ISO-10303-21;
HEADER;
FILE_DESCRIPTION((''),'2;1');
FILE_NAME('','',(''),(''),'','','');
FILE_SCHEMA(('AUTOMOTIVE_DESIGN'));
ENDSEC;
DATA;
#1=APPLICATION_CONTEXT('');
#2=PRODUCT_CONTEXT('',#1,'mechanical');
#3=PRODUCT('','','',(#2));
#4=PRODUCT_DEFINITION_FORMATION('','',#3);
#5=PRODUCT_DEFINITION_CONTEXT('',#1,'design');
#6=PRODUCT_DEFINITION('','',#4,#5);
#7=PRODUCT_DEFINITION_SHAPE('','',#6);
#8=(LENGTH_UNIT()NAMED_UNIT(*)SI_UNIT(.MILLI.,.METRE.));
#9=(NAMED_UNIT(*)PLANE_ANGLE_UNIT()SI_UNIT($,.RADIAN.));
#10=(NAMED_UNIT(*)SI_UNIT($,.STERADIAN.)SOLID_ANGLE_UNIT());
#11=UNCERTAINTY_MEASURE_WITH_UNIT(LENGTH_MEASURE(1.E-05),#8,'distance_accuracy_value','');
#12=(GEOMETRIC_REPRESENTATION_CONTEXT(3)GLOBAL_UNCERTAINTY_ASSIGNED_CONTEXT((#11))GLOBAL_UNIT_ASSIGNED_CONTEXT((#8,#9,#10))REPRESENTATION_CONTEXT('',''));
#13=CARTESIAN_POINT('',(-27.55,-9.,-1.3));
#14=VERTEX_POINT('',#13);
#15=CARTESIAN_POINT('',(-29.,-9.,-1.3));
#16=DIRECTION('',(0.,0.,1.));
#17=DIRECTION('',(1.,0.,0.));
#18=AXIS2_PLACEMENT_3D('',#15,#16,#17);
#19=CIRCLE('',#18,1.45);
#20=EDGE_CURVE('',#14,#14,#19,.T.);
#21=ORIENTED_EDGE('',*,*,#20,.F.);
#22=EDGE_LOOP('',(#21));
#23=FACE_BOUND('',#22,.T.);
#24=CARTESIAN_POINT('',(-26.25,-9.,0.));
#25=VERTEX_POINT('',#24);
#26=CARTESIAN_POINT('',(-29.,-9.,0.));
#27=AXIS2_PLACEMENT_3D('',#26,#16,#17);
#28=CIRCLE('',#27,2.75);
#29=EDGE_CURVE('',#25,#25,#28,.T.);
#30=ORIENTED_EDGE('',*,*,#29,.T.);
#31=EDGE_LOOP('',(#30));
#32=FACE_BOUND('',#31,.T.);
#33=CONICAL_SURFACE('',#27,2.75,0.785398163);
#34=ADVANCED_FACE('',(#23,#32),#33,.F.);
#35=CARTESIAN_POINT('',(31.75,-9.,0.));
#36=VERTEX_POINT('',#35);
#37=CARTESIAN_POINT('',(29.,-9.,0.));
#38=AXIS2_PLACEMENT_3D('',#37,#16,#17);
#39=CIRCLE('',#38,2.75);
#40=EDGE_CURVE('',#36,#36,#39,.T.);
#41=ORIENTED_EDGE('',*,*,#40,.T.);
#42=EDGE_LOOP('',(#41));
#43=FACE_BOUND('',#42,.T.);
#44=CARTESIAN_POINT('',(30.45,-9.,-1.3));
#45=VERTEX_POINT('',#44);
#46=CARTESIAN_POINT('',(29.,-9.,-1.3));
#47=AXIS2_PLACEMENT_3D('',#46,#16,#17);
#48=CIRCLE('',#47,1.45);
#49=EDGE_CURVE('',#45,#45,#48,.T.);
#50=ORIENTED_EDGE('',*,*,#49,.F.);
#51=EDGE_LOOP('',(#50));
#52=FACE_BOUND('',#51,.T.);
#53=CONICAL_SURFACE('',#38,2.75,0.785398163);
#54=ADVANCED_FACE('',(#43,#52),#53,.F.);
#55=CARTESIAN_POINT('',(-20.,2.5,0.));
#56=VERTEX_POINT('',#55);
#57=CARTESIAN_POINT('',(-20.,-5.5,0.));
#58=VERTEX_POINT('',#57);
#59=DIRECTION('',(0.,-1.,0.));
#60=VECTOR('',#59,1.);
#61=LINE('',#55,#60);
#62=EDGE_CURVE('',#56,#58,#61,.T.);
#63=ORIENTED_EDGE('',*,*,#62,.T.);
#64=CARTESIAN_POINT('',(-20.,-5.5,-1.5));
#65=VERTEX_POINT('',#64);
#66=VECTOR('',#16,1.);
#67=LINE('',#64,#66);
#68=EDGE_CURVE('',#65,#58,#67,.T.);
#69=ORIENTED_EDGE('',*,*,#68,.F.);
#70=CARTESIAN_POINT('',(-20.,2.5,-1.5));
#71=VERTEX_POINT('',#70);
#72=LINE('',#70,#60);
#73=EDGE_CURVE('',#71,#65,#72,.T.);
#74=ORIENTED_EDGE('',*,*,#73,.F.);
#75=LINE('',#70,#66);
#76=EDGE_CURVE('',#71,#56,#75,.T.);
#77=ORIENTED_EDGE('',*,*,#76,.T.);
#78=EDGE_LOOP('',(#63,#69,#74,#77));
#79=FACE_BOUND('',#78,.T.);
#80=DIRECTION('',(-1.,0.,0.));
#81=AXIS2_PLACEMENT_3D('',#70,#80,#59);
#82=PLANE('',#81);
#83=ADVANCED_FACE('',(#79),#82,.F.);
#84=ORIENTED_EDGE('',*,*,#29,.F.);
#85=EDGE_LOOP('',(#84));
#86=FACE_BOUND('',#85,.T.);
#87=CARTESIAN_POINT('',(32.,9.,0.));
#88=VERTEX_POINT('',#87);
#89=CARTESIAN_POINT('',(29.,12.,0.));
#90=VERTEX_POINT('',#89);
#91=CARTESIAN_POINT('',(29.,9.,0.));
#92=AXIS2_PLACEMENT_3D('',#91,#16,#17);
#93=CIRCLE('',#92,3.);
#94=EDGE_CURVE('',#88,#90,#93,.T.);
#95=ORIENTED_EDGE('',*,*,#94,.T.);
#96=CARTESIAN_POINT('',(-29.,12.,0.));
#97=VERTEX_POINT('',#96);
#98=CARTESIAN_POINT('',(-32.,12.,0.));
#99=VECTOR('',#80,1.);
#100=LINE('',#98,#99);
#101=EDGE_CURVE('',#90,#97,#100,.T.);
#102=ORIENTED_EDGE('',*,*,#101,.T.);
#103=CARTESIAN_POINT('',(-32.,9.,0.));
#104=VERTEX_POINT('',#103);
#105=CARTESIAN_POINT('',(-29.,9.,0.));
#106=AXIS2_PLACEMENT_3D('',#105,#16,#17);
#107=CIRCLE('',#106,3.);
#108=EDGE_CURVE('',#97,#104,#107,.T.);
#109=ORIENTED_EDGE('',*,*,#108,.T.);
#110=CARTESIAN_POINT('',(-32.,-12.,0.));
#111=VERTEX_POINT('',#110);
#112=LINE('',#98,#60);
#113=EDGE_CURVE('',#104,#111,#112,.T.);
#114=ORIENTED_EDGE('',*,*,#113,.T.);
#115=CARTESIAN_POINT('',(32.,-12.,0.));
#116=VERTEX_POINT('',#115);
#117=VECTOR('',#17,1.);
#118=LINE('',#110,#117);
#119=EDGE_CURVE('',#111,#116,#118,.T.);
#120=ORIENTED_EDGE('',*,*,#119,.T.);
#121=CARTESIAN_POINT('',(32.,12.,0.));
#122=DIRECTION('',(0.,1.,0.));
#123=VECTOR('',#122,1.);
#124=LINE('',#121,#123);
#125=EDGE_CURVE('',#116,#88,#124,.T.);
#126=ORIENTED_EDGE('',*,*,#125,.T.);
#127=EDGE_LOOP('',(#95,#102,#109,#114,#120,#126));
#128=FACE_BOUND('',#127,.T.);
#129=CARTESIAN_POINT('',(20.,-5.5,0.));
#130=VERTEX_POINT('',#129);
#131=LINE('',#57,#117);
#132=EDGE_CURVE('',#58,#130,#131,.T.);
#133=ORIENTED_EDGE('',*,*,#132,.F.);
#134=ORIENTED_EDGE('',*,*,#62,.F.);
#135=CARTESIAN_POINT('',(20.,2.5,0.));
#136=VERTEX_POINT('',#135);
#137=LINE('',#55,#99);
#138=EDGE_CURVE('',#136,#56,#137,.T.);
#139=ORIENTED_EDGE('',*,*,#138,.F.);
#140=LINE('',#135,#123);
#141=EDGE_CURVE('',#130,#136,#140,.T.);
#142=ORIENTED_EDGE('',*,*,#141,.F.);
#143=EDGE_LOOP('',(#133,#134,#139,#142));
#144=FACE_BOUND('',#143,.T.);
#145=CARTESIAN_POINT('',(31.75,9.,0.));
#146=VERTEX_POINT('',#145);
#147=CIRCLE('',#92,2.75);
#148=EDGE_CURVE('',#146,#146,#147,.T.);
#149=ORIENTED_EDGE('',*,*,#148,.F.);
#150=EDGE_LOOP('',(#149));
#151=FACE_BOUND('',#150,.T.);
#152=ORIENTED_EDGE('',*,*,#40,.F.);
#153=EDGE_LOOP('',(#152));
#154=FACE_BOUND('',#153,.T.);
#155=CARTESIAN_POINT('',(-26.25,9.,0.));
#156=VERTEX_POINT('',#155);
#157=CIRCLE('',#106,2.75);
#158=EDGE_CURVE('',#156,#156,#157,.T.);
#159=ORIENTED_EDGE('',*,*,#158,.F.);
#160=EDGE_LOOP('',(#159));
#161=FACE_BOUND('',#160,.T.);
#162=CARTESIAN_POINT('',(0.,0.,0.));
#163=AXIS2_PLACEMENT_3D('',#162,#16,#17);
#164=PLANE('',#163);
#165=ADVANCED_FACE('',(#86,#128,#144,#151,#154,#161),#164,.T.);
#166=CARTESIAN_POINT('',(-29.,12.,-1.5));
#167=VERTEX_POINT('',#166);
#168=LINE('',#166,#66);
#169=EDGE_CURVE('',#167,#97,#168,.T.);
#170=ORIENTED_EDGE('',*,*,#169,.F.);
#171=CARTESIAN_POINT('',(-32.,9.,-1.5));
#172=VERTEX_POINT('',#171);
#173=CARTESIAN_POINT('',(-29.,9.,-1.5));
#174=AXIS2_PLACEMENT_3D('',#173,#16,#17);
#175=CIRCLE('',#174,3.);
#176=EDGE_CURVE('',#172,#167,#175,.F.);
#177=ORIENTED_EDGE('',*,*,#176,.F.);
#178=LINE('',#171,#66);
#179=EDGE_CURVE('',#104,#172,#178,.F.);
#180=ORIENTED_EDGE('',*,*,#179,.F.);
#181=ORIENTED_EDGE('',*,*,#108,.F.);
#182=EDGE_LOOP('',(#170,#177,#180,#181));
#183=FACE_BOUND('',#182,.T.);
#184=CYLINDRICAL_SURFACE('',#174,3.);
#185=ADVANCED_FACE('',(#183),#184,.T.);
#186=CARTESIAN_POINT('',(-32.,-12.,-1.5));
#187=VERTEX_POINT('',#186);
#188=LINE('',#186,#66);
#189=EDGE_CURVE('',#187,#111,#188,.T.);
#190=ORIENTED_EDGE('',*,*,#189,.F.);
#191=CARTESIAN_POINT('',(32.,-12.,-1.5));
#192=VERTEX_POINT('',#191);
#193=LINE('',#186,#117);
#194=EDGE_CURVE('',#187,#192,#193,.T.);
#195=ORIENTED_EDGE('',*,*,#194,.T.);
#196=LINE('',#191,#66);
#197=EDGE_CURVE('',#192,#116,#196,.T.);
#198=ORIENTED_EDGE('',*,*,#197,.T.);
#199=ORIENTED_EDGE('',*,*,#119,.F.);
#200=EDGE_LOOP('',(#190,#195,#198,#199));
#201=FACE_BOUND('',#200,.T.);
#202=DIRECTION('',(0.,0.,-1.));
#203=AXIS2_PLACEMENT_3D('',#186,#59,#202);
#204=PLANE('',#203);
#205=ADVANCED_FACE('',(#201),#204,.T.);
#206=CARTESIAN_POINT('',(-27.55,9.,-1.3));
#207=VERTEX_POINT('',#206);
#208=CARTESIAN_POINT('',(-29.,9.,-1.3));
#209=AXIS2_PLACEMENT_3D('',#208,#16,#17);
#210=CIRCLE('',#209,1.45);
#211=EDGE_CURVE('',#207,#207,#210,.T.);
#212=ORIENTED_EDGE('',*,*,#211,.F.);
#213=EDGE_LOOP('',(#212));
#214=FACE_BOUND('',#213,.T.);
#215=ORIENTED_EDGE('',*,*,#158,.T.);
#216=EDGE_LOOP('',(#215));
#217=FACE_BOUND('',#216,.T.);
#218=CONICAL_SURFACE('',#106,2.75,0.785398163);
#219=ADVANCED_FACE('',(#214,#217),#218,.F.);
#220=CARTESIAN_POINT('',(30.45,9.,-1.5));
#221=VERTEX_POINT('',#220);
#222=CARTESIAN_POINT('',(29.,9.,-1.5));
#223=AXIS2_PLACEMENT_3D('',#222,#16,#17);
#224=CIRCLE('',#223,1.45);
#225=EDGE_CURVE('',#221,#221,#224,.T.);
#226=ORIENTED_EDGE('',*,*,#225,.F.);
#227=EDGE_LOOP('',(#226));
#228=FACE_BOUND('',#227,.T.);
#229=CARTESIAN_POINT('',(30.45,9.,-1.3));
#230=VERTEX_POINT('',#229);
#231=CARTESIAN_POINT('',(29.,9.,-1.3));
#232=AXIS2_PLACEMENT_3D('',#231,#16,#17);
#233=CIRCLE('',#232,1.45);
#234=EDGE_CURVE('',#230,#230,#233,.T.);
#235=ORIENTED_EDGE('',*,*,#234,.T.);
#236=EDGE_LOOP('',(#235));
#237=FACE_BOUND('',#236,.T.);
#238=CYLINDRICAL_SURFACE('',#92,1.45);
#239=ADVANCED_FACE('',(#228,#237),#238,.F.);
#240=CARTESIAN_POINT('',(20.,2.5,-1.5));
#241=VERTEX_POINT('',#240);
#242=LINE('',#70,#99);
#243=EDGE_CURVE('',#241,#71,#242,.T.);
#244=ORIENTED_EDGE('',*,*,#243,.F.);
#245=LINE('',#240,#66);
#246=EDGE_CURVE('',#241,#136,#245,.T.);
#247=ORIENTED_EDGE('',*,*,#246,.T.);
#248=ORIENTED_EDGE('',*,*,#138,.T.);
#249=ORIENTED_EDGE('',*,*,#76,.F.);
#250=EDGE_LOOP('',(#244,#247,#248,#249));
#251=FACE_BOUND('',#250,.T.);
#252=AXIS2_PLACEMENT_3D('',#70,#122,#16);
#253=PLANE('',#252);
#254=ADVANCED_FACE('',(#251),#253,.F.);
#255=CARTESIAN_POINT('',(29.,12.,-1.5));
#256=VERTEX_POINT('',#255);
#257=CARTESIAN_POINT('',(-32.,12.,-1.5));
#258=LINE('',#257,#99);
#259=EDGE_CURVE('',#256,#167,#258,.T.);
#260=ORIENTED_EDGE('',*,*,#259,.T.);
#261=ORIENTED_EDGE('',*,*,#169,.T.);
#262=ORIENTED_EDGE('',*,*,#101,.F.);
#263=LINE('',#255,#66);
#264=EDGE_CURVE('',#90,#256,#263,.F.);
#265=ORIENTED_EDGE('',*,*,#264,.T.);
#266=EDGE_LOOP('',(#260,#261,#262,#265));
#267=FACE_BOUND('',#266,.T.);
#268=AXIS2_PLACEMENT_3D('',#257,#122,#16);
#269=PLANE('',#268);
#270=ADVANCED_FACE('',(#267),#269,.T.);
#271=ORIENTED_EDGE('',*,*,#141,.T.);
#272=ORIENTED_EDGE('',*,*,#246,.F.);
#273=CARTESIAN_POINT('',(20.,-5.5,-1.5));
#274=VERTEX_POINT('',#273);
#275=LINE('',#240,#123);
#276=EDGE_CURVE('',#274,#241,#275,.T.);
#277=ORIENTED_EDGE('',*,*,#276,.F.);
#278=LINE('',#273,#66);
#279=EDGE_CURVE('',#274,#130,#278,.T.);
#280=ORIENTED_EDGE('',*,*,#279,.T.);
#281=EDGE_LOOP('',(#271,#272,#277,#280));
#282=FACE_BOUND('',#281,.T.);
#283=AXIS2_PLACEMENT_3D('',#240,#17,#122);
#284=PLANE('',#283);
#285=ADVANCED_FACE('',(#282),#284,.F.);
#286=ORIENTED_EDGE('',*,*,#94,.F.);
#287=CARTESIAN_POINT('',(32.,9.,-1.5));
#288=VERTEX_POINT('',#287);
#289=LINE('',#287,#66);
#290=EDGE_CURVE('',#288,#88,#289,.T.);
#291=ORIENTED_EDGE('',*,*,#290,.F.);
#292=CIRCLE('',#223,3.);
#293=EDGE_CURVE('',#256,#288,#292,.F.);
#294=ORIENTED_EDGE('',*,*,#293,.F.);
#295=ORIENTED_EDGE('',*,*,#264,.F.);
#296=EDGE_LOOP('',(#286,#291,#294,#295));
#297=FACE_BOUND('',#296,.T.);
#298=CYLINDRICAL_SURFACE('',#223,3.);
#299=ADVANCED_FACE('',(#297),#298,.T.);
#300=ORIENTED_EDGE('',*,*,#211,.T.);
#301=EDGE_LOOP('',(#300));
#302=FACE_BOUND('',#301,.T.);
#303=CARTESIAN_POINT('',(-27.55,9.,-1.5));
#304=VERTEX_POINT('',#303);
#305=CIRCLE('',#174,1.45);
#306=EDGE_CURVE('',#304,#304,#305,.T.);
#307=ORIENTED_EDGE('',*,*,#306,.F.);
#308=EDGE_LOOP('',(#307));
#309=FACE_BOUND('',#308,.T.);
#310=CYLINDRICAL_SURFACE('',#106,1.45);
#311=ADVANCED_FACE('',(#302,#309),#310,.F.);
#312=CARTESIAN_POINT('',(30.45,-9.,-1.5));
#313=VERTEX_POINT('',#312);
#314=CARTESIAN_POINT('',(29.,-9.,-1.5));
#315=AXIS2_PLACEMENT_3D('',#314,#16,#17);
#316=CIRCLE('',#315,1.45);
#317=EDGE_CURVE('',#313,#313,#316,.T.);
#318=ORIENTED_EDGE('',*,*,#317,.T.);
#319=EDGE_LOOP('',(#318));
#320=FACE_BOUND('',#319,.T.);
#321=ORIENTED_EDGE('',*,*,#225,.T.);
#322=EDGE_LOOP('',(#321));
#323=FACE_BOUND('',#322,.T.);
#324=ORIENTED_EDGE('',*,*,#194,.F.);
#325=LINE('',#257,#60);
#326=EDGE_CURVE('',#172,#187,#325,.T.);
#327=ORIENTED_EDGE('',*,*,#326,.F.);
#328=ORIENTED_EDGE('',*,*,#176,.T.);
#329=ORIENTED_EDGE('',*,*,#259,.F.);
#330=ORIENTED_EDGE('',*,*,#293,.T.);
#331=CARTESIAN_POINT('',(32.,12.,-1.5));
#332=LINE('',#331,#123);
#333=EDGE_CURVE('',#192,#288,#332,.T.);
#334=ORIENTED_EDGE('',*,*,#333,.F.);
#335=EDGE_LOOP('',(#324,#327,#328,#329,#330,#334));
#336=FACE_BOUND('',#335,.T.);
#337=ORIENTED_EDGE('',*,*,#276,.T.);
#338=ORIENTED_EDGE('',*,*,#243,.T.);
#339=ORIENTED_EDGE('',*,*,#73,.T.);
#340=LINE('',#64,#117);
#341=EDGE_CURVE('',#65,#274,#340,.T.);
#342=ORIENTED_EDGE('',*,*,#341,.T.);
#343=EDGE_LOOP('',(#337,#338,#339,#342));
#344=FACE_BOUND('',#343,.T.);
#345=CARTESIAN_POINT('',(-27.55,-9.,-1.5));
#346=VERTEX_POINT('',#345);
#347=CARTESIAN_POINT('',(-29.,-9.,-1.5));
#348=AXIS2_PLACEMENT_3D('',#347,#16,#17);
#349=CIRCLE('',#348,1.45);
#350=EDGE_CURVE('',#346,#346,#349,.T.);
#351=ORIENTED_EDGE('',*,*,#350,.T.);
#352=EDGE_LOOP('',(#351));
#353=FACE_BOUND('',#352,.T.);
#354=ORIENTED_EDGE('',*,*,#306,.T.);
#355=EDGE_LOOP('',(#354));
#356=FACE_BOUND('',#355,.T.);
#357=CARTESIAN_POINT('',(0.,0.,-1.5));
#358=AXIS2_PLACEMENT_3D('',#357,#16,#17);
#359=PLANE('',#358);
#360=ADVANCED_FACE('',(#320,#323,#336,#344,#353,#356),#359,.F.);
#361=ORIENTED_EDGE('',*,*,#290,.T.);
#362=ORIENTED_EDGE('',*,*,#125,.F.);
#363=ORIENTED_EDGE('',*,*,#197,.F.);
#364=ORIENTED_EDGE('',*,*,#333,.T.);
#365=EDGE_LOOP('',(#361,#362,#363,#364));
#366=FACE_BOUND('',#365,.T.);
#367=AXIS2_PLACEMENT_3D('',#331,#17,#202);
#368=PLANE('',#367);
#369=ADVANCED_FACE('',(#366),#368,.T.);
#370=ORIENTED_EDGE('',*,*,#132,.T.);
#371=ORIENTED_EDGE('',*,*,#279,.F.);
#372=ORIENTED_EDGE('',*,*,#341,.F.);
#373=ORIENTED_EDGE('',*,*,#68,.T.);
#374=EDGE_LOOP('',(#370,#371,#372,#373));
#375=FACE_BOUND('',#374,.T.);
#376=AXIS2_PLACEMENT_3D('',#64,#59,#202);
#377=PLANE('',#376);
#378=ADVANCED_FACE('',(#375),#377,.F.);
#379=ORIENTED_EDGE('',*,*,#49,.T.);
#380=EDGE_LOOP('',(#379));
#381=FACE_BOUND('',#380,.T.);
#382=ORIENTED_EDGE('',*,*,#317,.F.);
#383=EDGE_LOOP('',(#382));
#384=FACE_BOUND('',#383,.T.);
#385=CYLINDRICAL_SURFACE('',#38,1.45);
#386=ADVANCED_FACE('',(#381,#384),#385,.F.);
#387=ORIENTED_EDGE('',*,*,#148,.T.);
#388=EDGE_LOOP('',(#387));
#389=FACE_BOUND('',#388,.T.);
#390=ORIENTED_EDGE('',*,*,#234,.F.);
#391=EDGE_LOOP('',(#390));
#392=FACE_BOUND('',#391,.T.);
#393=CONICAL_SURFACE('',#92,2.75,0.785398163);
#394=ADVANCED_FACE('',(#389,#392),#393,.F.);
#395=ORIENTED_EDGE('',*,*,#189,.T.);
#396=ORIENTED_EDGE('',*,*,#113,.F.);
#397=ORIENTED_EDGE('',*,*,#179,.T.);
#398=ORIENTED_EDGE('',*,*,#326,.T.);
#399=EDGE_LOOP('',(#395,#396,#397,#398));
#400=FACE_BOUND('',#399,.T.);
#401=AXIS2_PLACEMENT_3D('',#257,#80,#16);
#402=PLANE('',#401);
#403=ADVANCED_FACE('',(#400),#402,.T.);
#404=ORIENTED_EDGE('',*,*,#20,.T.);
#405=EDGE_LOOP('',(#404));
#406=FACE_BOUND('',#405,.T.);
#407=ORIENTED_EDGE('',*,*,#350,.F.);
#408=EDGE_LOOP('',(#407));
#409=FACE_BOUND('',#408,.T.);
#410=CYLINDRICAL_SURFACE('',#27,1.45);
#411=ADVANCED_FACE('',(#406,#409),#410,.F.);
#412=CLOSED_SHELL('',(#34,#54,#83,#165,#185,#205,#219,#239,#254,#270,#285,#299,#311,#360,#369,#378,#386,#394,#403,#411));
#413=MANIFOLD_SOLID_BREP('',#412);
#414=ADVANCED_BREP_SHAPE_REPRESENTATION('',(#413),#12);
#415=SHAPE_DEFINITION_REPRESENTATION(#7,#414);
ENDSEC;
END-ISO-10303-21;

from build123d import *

# Parameters (mm, degrees)
SKETCH1_W                                      = 64
SKETCH1_H                                      = 24
BOSS_EXTRUDE1_DEPTH                            = 1.5
SKETCH2_W                                      = 40
SKETCH2_H                                      = 8
CUT_EXTRUDE1_DEPTH                             = 35.208916966
FILLET1_R                                      = 3
CSK_FOR_M2_5_FLAT_HEAD_MACHINE_SCREW1_AT_COUNT = 2
CSK_FOR_M2_5_FLAT_HEAD_MACHINE_SCREW1_AT_PITCH = 58
CSK_FOR_M2_5_FLAT_HEAD_MACHINE_SCREW_2_COUNT   = 2
CSK_FOR_M2_5_FLAT_HEAD_MACHINE_SCREW_2_PITCH   = 18
CSK_FOR_M2_5_FLAT_HEAD_MACHINE_SCREW_3_COUNT   = 2
CSK_FOR_M2_5_FLAT_HEAD_MACHINE_SCREW_3_PITCH   = 60.728905803


with BuildPart() as part:
    # Sketch1 → Boss-Extrude1 (new body)
    with BuildSketch(Plane.XY):
        Rectangle(SKETCH1_W, SKETCH1_H)
    extrude(amount=-BOSS_EXTRUDE1_DEPTH)

    # Sketch2 → Cut-Extrude1 (cut, through all)
    with BuildSketch(Plane.XY):
        with Locations((0, -1.5)):
            Rectangle(SKETCH2_W, SKETCH2_H)
    extrude(amount=-CUT_EXTRUDE1_DEPTH, mode=Mode.SUBTRACT)

    # Fillet1
    fillet1_edges = [part.edges().sort_by_distance(p)[0] for p in [
        (-32, 12, -0.75),
        (32, 12, -0.75),
    ]]
    fillet(fillet1_edges, radius=FILLET1_R)

    # Sketch3 → CSK for M2.5 Flat Head Machine Screw1 (revolve, cut)
    with BuildSketch(Plane(origin=(-29, 9, 0), x_dir=(0, -1, 0), z_dir=(1, 0, 0))):
        Polygon((0, 0), (0, 1.5), (1.45, 1.5), (1.45, 1.3), (2.75, 0), align=None)
    csk_for_m2_5_flat_head_machine_screw1 = revolve(axis=Axis((-29, 9, 6.35), (0, 0, -1)), mode=Mode.SUBTRACT)

    # CSK for M2.5 Flat Head Machine Screw1 at: CSK for M2.5 Flat Head Machine Screw1 ×2
    with Locations(*[(i * CSK_FOR_M2_5_FLAT_HEAD_MACHINE_SCREW1_AT_PITCH, 0, 0) for i in range(1, CSK_FOR_M2_5_FLAT_HEAD_MACHINE_SCREW1_AT_COUNT)]):
        add(csk_for_m2_5_flat_head_machine_screw1, mode=Mode.SUBTRACT)

    # CSK for M2.5 Flat Head Machine Screw 2: CSK for M2.5 Flat Head Machine Screw1 ×2
    with Locations(*[(0, -i * CSK_FOR_M2_5_FLAT_HEAD_MACHINE_SCREW_2_PITCH, 0) for i in range(1, CSK_FOR_M2_5_FLAT_HEAD_MACHINE_SCREW_2_COUNT)]):
        add(csk_for_m2_5_flat_head_machine_screw1, mode=Mode.SUBTRACT)

    # CSK for M2.5 Flat Head Machine Screw 3: CSK for M2.5 Flat Head Machine Screw1 ×2
    with Locations(*[Vector(0.9550641368112371, -0.29639921487245297, 0) * (i * CSK_FOR_M2_5_FLAT_HEAD_MACHINE_SCREW_3_PITCH) for i in range(1, CSK_FOR_M2_5_FLAT_HEAD_MACHINE_SCREW_3_COUNT)]):
        add(csk_for_m2_5_flat_head_machine_screw1, mode=Mode.SUBTRACT)


solid = part.part
